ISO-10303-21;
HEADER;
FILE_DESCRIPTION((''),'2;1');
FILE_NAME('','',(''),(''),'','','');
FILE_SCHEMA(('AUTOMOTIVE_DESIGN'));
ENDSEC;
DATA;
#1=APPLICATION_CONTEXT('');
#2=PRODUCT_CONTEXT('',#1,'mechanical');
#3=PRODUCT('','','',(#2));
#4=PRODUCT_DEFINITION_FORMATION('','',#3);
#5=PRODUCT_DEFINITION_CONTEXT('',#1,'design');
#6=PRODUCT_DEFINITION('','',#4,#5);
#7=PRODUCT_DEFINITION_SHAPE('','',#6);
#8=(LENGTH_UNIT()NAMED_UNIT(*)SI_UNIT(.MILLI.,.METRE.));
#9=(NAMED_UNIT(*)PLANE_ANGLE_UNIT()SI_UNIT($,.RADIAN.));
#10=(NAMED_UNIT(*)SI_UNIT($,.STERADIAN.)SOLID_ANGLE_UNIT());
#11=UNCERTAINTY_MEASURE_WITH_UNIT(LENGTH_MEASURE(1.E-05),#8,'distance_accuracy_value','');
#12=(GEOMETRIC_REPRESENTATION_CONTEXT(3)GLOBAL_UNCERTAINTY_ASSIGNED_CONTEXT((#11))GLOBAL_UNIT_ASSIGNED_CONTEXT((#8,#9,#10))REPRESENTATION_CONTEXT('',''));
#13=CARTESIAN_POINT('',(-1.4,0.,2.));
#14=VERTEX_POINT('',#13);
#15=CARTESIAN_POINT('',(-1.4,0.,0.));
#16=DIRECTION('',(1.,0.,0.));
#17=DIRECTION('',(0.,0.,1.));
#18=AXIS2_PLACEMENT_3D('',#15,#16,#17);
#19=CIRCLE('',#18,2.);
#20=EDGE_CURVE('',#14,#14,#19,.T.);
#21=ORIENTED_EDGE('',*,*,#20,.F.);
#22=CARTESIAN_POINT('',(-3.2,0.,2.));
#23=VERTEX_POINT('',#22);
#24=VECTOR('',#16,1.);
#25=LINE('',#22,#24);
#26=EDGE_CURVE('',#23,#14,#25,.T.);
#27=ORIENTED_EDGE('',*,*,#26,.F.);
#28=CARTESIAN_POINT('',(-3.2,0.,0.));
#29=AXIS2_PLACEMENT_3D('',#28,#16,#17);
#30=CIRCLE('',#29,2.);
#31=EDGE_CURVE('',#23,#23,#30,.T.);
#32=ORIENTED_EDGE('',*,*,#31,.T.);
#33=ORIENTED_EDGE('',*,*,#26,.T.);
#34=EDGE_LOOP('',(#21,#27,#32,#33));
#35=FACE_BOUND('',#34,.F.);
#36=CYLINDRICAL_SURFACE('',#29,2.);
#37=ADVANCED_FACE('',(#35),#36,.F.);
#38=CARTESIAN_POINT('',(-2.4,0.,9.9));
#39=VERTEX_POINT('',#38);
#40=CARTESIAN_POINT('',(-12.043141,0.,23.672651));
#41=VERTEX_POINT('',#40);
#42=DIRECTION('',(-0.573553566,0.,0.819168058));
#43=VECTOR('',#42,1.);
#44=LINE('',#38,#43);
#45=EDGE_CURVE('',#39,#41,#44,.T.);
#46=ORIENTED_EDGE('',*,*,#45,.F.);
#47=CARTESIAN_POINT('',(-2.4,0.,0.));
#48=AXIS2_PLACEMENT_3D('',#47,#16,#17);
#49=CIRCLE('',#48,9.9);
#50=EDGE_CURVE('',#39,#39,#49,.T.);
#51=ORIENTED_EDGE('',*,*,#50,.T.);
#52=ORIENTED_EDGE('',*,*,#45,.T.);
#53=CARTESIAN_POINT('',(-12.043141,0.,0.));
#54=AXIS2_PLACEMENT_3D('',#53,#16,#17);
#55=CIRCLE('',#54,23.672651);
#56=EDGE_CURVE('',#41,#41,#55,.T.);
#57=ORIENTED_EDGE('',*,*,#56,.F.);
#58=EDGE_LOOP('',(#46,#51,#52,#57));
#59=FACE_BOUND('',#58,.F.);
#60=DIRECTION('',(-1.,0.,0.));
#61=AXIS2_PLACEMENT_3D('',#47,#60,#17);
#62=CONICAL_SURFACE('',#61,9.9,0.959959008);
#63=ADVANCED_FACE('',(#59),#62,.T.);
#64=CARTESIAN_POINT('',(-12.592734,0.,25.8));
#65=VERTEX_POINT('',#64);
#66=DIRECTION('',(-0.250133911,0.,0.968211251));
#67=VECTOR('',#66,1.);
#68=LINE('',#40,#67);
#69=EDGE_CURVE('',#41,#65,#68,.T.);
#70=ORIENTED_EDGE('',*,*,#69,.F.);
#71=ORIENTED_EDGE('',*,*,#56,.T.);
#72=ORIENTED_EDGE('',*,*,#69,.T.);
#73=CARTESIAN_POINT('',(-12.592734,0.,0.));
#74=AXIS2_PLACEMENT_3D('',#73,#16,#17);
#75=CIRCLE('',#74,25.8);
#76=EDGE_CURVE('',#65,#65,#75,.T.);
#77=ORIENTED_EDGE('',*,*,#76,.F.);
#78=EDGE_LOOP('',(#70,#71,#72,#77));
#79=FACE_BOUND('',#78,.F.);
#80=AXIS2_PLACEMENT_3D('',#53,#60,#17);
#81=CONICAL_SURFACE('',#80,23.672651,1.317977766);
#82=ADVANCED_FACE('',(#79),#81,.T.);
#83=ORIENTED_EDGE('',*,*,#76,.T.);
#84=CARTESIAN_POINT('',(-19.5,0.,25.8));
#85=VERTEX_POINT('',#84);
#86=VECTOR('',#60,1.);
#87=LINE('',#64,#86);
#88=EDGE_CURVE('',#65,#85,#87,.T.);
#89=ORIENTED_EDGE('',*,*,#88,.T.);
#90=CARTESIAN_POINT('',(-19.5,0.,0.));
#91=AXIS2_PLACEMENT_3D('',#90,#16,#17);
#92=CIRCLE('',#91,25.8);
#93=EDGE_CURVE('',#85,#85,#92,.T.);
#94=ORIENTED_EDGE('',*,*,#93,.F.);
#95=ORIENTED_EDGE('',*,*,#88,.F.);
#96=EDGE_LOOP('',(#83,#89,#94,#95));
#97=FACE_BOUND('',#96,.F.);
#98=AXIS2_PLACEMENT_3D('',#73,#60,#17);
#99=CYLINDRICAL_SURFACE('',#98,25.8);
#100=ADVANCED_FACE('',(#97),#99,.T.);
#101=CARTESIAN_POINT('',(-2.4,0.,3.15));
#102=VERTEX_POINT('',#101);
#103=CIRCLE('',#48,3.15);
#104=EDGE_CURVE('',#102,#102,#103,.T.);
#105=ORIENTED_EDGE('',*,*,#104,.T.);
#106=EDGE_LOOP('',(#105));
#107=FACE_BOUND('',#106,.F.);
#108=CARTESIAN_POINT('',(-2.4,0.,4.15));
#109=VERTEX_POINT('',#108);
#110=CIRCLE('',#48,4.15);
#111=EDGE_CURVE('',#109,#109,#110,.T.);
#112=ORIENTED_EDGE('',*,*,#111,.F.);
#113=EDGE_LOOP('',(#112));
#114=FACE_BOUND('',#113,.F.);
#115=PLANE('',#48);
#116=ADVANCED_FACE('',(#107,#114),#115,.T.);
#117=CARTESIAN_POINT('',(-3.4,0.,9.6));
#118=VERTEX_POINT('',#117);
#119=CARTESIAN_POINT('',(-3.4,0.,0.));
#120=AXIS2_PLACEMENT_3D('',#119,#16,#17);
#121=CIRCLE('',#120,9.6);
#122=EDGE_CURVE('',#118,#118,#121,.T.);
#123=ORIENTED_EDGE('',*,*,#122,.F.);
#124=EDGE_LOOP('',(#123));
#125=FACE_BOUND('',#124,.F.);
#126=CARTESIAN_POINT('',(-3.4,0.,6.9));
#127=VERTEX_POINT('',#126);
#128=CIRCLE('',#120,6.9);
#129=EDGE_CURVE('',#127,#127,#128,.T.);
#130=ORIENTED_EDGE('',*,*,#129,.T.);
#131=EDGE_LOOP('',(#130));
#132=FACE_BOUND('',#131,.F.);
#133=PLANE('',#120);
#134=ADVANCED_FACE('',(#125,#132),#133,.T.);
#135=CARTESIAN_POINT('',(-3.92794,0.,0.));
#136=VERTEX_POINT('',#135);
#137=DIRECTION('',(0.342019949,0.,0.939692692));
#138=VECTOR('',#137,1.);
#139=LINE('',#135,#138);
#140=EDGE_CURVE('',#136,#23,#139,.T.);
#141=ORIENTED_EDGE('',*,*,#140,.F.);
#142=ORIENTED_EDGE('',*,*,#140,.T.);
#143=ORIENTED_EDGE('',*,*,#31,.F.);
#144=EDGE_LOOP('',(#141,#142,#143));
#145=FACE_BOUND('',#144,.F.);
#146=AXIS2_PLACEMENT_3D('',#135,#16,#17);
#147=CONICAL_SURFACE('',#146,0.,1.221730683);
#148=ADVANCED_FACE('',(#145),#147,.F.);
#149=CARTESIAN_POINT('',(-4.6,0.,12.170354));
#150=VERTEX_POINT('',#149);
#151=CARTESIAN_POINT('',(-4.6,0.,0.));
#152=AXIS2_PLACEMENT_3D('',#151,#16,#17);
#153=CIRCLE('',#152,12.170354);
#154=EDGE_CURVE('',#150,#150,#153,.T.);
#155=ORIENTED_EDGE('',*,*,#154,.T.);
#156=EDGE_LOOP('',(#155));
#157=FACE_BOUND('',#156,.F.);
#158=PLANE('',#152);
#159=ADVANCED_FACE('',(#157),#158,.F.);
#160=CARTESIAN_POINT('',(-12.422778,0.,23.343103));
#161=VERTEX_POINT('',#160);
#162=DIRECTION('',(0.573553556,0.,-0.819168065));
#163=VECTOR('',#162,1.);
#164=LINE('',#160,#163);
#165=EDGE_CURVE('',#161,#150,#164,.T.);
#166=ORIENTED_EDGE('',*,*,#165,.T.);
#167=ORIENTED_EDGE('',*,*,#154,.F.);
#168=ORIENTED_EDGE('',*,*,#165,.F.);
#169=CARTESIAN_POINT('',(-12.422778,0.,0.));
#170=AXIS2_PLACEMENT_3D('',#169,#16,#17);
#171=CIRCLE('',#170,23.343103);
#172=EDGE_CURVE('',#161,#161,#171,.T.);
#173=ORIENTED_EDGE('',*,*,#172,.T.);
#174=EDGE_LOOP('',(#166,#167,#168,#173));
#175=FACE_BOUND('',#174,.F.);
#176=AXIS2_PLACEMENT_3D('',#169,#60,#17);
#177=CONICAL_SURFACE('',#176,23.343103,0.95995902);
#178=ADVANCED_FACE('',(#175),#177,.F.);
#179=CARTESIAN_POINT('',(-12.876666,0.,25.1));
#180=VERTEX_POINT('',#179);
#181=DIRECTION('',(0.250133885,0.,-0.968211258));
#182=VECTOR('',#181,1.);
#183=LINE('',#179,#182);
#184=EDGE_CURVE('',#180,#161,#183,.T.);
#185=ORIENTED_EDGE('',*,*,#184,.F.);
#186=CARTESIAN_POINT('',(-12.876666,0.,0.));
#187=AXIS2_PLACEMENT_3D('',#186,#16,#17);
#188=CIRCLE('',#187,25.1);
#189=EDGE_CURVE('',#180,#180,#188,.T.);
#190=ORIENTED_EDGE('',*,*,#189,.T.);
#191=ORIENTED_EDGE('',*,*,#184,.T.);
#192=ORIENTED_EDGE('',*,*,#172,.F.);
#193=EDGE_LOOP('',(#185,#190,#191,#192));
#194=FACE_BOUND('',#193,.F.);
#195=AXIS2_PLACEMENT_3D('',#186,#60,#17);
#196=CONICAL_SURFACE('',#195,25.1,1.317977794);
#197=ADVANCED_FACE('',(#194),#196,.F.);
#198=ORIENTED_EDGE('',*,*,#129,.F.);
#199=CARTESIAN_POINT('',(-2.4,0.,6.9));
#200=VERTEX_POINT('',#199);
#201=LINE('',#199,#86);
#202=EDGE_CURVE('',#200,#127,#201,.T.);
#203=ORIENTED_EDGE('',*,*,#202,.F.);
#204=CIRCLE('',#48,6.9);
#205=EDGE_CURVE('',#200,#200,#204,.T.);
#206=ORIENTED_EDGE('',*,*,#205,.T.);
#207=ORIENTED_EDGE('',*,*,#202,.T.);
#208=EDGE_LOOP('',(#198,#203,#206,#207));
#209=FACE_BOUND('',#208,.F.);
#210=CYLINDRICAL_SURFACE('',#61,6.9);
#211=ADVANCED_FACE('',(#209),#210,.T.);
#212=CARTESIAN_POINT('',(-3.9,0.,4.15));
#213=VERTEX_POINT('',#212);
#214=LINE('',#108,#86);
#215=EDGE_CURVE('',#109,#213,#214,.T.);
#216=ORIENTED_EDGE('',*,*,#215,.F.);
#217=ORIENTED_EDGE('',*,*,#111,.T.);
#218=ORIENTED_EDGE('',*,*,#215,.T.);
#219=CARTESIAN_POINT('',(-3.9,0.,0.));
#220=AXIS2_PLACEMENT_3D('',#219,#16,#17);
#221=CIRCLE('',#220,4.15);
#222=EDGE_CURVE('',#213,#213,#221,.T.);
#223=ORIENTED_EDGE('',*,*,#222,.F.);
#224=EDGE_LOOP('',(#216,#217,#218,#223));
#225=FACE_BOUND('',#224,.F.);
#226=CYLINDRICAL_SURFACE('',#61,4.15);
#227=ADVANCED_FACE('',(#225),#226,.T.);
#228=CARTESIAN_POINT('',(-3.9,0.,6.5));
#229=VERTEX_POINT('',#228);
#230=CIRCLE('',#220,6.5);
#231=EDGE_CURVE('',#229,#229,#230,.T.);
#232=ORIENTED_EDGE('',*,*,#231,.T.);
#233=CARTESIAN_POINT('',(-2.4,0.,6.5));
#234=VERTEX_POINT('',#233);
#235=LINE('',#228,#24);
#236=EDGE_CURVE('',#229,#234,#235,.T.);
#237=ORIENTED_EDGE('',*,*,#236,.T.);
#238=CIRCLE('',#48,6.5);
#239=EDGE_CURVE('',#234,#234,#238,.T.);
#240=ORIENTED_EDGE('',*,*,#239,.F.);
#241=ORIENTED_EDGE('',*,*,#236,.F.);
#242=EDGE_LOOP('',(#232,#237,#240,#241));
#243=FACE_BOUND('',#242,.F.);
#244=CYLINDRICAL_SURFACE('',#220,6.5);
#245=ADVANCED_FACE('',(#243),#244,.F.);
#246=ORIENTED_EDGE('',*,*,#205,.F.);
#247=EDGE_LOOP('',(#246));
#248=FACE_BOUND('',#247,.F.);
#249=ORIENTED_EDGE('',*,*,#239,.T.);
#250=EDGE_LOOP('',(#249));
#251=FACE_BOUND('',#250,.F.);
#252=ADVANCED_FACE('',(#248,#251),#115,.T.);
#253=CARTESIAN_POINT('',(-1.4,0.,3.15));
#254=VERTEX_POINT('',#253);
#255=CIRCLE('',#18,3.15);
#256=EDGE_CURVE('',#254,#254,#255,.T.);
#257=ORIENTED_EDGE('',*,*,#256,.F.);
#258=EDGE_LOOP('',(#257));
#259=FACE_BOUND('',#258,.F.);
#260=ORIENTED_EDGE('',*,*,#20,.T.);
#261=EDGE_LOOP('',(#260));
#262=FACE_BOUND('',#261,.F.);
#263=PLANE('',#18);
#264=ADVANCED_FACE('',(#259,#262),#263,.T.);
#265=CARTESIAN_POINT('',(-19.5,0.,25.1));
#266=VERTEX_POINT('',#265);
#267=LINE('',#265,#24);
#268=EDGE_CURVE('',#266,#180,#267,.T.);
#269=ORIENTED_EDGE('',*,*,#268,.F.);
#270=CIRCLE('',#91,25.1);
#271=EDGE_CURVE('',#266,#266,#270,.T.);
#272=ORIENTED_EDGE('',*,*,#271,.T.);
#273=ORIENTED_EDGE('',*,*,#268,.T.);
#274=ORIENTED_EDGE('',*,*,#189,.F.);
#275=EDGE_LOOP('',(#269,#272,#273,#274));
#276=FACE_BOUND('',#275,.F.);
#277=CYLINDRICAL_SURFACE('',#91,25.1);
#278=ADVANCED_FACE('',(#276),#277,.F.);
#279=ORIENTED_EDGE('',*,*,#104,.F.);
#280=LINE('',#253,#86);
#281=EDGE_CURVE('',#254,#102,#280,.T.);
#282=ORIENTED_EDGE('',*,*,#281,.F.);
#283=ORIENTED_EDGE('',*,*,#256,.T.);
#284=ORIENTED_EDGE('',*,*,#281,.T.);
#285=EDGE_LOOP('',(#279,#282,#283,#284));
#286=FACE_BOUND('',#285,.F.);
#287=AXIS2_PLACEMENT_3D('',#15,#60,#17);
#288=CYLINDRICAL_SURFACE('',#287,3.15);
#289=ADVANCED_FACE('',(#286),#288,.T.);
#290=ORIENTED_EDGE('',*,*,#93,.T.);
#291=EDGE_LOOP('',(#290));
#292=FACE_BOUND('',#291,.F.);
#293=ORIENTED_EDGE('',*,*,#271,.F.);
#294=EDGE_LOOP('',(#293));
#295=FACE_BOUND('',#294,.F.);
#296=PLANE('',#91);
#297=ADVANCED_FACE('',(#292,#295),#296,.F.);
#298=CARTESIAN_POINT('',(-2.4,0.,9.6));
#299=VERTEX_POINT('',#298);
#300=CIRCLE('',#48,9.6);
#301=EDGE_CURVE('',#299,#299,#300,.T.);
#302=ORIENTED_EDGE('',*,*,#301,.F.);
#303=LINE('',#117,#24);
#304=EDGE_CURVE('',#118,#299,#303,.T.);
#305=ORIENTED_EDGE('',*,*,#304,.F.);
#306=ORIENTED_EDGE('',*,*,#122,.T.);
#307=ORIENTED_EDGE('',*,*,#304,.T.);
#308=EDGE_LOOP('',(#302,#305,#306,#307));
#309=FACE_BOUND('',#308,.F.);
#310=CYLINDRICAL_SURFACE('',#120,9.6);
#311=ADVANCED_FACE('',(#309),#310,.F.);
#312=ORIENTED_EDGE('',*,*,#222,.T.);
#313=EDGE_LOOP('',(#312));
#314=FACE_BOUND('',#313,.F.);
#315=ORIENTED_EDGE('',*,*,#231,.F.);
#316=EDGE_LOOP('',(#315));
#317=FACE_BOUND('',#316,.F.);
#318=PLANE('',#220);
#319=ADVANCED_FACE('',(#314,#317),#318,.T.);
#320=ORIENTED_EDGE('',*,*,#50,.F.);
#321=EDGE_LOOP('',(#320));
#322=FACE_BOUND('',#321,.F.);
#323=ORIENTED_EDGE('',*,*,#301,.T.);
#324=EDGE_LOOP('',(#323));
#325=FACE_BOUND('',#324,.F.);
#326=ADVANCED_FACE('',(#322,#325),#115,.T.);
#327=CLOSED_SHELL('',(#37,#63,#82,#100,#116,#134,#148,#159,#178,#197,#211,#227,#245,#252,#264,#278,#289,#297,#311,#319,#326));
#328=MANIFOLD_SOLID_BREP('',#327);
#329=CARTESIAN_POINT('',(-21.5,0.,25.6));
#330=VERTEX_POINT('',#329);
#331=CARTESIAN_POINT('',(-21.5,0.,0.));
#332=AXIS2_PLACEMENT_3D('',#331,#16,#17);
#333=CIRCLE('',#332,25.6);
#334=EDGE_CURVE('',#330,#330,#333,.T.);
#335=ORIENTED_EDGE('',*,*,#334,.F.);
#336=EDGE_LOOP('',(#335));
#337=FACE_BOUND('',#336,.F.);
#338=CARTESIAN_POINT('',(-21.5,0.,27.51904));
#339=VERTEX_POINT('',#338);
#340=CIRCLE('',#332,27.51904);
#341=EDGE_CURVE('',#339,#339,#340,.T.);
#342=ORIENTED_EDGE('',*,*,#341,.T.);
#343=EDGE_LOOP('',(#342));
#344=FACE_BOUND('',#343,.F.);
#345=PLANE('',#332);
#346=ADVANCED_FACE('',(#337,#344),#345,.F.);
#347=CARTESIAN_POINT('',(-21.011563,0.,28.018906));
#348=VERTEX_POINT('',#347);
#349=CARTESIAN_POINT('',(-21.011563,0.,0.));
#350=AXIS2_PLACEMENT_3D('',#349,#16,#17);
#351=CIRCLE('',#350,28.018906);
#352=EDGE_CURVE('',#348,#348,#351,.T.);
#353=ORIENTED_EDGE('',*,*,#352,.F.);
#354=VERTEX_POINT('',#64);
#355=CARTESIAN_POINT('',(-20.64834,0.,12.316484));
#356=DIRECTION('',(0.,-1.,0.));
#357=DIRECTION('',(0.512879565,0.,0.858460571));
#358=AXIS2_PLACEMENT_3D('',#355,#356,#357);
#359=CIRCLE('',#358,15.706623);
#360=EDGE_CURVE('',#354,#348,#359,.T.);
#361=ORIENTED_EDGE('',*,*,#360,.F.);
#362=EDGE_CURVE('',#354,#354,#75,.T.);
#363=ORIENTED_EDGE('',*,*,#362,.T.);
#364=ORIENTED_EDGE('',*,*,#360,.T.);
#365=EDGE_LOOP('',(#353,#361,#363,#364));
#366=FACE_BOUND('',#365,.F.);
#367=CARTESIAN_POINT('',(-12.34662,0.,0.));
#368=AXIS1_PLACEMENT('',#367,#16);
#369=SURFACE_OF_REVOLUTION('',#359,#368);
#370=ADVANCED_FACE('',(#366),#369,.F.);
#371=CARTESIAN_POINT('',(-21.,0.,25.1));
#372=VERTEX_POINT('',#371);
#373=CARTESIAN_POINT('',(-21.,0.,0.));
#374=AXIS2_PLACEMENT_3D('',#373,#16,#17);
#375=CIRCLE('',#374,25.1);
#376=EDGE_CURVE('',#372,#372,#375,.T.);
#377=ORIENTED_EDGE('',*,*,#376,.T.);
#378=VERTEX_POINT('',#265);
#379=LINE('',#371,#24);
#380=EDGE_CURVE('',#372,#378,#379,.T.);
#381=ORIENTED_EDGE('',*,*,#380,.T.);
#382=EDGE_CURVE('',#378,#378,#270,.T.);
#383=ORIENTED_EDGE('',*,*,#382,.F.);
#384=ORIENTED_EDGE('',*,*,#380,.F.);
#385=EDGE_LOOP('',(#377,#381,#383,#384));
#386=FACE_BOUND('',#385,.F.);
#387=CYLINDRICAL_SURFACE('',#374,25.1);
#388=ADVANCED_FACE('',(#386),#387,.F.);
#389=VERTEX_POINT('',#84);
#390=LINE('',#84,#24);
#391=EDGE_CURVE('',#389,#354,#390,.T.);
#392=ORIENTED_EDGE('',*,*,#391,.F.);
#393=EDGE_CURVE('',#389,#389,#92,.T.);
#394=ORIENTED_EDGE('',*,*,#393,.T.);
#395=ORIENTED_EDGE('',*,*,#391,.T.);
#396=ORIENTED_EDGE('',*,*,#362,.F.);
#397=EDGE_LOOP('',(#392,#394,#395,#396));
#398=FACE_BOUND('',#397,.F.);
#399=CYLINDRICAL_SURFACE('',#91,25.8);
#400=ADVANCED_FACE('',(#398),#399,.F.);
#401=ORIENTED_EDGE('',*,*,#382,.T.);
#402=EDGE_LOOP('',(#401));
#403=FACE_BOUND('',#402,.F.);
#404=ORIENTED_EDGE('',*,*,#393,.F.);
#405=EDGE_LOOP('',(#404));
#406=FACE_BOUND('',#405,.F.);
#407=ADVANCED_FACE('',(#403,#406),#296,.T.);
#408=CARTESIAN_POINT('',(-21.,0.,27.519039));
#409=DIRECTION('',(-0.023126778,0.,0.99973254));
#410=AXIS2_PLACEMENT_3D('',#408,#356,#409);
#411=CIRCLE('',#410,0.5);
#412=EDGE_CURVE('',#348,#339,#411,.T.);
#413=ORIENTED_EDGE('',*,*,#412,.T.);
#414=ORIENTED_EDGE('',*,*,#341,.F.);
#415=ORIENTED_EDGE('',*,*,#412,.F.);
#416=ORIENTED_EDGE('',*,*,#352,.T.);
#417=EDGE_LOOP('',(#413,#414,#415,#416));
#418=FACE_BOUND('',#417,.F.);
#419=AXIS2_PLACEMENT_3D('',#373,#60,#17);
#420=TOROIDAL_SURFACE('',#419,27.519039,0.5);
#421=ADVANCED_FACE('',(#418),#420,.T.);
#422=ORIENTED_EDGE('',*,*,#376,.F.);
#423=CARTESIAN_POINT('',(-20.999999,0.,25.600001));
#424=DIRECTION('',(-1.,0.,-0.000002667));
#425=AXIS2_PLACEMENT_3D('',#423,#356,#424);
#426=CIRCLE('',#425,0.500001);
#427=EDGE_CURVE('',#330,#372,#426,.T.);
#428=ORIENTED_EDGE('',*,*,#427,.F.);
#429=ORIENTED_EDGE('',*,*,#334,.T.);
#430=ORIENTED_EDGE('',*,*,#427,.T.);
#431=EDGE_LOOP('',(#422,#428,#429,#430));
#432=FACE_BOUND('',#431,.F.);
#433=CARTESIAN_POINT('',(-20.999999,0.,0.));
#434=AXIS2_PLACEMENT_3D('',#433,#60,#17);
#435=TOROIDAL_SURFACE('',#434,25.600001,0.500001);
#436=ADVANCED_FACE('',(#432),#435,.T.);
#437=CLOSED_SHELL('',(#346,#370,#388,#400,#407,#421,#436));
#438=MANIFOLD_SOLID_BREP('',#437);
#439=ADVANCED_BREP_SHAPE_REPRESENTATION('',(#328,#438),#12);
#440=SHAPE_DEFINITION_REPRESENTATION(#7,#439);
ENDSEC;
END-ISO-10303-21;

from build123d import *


with BuildPart() as f1:
    # F0 (on Front) → F1 (revolve)
    with BuildSketch(Plane.XZ):
        Polygon((-3.2, 2), (-1.4, 2), (-1.4, 3.15), (-2.4, 3.15), (-2.4, 4.15), (-3.9, 4.15), (-3.9, 6.5), (-2.4, 6.5), (-2.4, 6.9), (-3.4, 6.9), (-3.4, 9.6), (-2.4, 9.6), (-2.4, 9.9), (-12.043141, 23.672651), (-12.592734, 25.8), (-19.5, 25.8), (-19.5, 25.1), (-12.876666, 25.1), (-12.422778, 23.343103), (-4.6, 12.170354), (-4.6, 0), (-3.92794, 0), align=None)
    revolve(axis=Axis((-4.26397, 0, 0), (1, 0, 0)))


with BuildPart() as f3:
    # F2 (on Front) → F3 (revolve)
    with BuildSketch(Plane.XZ):
        with BuildLine():
            Line((-19.5, 25.1), (-19.5, 25.8))
            Line((-19.5, 25.8), (-12.592734, 25.8))
            ThreePointArc((-12.592734, 25.8), (-16.645332, 27.504437), (-21.011563, 28.018906))
            ThreePointArc((-21.011563, 28.018906), (-21.357618, 27.868481), (-21.5, 27.51904))
            Line((-21.5, 27.51904), (-21.5, 25.6))
            ThreePointArc((-21.5, 25.6), (-21.353553, 25.246447), (-21, 25.1))
            Line((-21, 25.1), (-19.5, 25.1))
        make_face()
    revolve(axis=Axis((-12.34662, 0, 0), (1, 0, 0)))


solid = Compound([f1.part, f3.part])
